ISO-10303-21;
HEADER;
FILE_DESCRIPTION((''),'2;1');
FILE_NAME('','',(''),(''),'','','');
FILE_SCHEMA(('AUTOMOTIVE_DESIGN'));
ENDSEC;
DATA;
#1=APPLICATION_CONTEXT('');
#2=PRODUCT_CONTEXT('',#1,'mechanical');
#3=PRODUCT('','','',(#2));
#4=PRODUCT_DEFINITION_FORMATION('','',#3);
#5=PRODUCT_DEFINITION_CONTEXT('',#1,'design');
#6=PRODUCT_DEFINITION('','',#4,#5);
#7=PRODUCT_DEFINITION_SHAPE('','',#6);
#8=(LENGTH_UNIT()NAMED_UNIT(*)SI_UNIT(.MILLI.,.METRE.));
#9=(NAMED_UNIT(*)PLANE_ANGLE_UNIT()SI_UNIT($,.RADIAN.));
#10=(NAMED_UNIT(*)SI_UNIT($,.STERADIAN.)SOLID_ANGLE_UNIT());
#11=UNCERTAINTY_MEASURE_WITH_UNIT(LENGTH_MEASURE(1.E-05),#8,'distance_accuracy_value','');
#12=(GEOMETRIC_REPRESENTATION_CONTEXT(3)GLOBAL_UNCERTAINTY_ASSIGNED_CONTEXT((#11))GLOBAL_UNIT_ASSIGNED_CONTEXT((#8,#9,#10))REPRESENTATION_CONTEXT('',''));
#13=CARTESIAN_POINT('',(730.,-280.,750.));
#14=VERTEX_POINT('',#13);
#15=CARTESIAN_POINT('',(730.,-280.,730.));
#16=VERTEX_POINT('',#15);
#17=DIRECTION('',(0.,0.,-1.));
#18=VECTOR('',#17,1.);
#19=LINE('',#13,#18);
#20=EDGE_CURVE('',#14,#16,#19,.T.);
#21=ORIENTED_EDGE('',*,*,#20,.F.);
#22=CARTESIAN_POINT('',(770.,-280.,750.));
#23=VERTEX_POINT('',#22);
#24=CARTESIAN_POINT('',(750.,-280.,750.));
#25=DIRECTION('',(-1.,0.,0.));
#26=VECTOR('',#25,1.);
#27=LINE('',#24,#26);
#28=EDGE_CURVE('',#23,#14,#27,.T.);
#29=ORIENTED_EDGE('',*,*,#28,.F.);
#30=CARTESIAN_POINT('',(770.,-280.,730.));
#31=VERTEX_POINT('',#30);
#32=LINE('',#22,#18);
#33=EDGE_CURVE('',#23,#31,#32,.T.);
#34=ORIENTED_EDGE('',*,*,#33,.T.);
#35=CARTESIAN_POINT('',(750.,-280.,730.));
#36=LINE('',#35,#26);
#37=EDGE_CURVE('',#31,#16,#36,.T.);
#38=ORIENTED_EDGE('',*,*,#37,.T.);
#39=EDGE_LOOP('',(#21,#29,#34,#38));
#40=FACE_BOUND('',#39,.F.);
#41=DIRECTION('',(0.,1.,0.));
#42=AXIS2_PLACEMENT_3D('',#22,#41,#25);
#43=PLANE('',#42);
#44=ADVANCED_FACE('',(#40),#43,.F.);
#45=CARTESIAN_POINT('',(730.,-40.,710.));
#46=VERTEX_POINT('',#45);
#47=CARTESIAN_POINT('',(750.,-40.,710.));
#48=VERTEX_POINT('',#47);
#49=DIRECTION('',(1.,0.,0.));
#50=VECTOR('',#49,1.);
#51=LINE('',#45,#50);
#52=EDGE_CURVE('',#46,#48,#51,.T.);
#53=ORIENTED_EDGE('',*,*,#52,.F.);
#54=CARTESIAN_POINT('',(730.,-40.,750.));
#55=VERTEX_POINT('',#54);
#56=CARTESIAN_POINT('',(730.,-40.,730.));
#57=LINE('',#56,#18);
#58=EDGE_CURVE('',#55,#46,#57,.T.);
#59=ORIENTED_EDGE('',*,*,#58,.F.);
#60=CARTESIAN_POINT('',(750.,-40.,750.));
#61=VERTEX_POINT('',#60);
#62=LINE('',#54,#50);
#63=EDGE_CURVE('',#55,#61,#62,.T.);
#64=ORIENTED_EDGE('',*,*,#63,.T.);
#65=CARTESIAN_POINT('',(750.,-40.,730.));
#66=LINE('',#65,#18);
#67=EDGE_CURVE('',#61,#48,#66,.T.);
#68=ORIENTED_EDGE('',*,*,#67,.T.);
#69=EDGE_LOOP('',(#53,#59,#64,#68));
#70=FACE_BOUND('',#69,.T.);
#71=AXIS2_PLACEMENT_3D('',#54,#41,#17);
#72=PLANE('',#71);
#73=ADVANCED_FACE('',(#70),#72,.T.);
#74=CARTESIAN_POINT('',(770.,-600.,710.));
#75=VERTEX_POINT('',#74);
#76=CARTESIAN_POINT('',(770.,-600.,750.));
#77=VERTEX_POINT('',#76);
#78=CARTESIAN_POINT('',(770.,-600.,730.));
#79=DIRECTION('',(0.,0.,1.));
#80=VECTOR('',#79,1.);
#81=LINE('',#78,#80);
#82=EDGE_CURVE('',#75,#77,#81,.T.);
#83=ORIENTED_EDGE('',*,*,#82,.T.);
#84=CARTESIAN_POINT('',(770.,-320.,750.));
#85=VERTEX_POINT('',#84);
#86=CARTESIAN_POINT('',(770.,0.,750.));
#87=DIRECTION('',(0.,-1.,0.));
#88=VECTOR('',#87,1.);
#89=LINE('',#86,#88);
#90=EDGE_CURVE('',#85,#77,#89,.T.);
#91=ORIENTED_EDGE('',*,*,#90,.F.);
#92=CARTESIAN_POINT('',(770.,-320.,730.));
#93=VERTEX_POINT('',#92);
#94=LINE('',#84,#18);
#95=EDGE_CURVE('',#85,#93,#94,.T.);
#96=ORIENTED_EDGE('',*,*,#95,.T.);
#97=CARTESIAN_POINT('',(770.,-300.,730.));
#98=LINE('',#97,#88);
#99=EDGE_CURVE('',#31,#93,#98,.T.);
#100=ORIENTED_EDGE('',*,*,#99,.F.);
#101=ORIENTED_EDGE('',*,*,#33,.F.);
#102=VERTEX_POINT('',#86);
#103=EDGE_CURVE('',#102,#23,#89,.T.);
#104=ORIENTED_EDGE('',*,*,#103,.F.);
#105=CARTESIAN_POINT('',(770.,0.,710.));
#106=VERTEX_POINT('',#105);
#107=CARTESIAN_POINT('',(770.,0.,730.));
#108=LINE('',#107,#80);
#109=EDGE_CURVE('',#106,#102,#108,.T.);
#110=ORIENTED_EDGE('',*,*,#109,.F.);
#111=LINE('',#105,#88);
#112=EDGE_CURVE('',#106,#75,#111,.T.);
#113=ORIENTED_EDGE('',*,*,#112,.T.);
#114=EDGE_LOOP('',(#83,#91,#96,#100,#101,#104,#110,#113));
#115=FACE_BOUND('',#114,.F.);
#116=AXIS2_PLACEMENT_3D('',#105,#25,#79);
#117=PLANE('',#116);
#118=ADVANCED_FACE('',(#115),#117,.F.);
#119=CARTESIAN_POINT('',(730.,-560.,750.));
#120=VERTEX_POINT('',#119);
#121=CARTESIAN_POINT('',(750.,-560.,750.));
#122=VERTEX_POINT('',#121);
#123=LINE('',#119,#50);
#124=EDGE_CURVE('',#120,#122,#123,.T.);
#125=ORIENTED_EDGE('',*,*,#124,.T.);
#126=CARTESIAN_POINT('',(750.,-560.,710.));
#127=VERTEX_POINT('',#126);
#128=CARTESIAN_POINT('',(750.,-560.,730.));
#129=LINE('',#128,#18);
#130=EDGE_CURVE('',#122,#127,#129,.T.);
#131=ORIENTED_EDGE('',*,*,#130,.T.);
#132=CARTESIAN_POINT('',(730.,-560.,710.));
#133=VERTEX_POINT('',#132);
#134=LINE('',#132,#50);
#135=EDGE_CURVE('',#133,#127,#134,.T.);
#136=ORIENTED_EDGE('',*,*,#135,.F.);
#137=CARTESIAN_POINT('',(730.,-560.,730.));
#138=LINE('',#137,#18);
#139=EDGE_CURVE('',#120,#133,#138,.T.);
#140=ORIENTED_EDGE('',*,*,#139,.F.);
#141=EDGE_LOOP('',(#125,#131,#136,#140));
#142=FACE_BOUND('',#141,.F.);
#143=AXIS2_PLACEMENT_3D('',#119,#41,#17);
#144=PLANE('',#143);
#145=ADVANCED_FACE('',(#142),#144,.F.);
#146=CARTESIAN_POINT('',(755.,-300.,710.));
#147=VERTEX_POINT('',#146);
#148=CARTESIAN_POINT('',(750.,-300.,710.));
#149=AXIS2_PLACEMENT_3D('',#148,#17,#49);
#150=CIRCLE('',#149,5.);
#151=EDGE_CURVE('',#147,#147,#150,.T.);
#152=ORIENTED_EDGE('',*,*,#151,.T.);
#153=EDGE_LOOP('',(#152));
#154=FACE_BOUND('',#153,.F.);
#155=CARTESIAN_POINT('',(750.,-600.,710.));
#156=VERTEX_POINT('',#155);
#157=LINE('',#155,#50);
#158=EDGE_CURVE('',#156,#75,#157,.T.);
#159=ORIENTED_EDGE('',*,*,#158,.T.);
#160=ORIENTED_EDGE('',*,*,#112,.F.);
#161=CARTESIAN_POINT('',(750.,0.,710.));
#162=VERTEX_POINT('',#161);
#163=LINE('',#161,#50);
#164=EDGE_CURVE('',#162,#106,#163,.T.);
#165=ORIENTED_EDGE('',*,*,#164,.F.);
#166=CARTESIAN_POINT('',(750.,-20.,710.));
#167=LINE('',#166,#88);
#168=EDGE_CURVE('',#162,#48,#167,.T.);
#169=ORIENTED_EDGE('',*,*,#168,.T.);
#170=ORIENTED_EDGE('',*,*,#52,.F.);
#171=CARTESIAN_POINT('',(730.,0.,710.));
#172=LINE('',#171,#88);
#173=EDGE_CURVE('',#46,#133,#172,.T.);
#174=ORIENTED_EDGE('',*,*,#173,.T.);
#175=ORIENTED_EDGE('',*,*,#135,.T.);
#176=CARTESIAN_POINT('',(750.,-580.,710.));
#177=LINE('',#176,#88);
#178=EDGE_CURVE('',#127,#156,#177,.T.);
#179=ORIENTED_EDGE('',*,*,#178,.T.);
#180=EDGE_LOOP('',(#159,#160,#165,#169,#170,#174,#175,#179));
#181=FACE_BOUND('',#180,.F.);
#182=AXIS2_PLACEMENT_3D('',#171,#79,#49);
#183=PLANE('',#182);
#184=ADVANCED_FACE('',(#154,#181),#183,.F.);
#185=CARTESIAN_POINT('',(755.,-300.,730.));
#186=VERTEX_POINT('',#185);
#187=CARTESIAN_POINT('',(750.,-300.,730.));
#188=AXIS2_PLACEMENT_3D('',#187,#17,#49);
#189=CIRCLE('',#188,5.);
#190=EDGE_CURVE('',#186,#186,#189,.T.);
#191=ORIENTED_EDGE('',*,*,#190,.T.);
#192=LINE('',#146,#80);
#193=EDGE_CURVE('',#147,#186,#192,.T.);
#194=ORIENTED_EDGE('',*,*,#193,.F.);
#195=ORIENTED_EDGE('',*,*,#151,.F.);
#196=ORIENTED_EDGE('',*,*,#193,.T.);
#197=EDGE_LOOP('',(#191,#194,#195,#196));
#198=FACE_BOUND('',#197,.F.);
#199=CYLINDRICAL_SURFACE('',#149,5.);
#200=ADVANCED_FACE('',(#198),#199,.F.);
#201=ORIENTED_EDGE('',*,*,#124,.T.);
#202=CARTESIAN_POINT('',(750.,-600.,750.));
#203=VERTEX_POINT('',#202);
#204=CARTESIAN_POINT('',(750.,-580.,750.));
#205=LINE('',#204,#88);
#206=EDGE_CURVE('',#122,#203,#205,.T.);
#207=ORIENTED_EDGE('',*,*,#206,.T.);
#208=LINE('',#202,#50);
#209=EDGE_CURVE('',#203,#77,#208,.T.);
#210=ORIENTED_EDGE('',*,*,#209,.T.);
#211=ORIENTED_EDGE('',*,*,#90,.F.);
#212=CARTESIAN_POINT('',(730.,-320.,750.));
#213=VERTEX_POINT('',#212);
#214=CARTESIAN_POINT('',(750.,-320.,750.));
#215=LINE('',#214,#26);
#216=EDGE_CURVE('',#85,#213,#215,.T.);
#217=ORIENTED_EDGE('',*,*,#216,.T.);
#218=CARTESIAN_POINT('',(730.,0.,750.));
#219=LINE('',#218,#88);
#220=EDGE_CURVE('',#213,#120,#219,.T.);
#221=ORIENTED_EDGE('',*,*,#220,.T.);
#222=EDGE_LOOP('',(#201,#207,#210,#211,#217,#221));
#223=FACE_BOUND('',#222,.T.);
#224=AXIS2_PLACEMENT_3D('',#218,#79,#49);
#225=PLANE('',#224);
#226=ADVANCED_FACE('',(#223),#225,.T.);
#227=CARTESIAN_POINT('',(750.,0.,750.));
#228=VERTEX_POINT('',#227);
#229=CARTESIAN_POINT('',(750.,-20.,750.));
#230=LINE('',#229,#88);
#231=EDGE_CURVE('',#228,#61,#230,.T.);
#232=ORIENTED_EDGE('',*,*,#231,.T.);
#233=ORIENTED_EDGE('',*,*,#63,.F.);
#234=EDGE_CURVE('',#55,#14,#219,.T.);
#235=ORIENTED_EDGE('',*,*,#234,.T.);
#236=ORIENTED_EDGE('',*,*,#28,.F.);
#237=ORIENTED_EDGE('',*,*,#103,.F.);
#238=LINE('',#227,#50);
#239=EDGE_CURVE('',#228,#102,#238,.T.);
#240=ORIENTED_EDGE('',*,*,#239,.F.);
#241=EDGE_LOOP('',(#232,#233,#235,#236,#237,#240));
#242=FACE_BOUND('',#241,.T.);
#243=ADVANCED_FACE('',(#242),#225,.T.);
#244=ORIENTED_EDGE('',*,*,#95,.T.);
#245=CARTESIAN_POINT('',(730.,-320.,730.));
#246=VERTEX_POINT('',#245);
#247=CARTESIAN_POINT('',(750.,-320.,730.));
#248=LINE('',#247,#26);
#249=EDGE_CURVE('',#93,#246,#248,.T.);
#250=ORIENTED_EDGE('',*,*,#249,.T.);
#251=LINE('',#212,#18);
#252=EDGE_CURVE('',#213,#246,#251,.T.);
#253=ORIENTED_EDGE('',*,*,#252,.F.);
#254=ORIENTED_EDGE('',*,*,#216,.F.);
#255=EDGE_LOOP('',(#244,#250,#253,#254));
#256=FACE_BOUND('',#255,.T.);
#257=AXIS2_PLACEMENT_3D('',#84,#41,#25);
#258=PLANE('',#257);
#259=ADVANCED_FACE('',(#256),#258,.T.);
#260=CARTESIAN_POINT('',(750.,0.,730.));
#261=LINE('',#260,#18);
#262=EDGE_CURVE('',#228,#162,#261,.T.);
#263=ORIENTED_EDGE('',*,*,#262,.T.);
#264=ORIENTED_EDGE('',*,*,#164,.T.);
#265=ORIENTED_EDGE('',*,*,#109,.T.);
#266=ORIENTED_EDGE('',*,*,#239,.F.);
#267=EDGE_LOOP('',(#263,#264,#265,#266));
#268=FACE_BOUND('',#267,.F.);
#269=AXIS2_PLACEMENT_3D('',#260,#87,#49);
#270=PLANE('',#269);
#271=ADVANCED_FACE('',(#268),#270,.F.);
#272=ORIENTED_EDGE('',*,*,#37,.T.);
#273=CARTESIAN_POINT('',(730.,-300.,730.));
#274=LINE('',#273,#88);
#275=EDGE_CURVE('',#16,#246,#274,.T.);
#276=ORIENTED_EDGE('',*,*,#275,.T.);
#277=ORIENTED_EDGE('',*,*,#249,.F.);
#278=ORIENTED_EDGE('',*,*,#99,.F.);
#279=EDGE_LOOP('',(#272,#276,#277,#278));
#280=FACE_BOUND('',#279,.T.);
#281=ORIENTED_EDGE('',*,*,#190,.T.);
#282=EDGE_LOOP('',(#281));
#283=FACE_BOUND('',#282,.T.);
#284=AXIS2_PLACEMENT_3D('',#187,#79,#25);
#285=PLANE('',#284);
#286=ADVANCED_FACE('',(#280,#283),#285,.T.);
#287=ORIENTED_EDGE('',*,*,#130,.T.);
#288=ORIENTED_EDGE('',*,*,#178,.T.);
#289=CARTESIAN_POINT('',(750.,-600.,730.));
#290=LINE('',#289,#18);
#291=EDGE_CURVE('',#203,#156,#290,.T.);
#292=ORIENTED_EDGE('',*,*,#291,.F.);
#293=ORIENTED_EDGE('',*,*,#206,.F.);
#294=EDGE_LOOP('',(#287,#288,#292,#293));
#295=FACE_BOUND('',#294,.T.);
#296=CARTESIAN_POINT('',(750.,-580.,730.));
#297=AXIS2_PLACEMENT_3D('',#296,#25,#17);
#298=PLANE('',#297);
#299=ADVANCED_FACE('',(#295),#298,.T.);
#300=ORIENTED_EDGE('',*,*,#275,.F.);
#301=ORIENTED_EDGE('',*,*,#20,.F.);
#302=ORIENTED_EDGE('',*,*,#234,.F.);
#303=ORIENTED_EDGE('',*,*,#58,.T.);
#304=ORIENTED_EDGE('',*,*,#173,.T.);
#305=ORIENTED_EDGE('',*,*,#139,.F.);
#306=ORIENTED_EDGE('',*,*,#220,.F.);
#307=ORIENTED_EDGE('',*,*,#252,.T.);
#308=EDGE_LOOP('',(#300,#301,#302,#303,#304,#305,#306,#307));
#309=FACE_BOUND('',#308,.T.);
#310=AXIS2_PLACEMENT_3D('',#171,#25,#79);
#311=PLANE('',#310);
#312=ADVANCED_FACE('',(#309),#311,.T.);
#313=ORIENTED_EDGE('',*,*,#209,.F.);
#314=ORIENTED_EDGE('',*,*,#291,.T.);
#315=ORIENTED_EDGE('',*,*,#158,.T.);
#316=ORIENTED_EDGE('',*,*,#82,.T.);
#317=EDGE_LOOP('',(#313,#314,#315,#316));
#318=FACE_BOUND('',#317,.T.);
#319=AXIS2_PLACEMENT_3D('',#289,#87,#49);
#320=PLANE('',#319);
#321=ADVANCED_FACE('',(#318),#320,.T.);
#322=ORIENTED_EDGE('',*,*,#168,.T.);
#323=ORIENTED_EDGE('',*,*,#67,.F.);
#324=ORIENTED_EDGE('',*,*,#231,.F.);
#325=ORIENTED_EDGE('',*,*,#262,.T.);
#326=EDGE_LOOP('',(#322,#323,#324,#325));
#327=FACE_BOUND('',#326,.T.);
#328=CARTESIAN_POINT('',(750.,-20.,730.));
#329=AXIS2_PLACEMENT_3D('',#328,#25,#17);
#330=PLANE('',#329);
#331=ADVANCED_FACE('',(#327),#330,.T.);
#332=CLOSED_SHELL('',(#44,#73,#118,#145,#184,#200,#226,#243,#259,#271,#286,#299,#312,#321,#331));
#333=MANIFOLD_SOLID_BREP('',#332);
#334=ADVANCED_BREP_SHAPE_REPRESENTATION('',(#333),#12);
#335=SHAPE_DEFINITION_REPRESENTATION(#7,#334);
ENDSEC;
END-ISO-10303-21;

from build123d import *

# Parameters (mm, degrees)
SKETCH018_W     = 40
SKETCH018_H     = 40
PAD018_DEPTH    = 600
SKETCH019_W     = 40
SKETCH019_H     = 40
POCKET_DEPTH    = 20
SKETCH020_W     = 40
SKETCH020_H     = 40
POCKET001_DEPTH = 20
SKETCH064_R     = 5
POCKET019_DEPTH = 40.001


with BuildPart() as part:
    # Sketch018 → Pad018 (new body)
    with BuildSketch(Plane.XZ):
        with Locations((20, 280)):
            Rectangle(SKETCH018_W, SKETCH018_H)
    extrude(amount=PAD018_DEPTH)

    # Sketch019 (on Face4 of Pad018) → Pocket (cut)
    with BuildSketch(Plane(origin=(0, 0, 0), x_dir=(0, 0, -1), z_dir=(-1, 0, 0))):
        with Locations((-280, 580)):
            Rectangle(SKETCH019_W, SKETCH019_H)
        with Locations((-280, 20)):
            Rectangle(SKETCH019_W, SKETCH019_H)
    extrude(amount=-POCKET_DEPTH, mode=Mode.SUBTRACT)

    # Sketch020 (on Face1 of Pocket) → Pocket001 (cut)
    with BuildSketch(Plane(origin=(0, 0, 300), x_dir=(-1, 0, 0), z_dir=(0, 0, 1))):
        with Locations((-20, 300)):
            Rectangle(SKETCH020_W, SKETCH020_H)
    extrude(amount=-POCKET001_DEPTH, mode=Mode.SUBTRACT)

    # Sketch064 (on Face8 of Pocket001) → Pocket019 (cut, through all)
    with BuildSketch(Plane(origin=(0, 0, 260), x_dir=(1, 0, 0), z_dir=(0, 0, -1))):
        with Locations((20, 300)):
            Circle(SKETCH064_R)
    extrude(amount=-POCKET019_DEPTH, mode=Mode.SUBTRACT)


with BuildPart() as part_1:
    # Clone008 placement: moved
    add(part.part.moved(Location((730, 0, 0))))


with BuildPart() as part_2:
    # Clone012 placement: moved
    add(part_1.part.moved(Location((0, 0, 450))))


solid = part_2.part
